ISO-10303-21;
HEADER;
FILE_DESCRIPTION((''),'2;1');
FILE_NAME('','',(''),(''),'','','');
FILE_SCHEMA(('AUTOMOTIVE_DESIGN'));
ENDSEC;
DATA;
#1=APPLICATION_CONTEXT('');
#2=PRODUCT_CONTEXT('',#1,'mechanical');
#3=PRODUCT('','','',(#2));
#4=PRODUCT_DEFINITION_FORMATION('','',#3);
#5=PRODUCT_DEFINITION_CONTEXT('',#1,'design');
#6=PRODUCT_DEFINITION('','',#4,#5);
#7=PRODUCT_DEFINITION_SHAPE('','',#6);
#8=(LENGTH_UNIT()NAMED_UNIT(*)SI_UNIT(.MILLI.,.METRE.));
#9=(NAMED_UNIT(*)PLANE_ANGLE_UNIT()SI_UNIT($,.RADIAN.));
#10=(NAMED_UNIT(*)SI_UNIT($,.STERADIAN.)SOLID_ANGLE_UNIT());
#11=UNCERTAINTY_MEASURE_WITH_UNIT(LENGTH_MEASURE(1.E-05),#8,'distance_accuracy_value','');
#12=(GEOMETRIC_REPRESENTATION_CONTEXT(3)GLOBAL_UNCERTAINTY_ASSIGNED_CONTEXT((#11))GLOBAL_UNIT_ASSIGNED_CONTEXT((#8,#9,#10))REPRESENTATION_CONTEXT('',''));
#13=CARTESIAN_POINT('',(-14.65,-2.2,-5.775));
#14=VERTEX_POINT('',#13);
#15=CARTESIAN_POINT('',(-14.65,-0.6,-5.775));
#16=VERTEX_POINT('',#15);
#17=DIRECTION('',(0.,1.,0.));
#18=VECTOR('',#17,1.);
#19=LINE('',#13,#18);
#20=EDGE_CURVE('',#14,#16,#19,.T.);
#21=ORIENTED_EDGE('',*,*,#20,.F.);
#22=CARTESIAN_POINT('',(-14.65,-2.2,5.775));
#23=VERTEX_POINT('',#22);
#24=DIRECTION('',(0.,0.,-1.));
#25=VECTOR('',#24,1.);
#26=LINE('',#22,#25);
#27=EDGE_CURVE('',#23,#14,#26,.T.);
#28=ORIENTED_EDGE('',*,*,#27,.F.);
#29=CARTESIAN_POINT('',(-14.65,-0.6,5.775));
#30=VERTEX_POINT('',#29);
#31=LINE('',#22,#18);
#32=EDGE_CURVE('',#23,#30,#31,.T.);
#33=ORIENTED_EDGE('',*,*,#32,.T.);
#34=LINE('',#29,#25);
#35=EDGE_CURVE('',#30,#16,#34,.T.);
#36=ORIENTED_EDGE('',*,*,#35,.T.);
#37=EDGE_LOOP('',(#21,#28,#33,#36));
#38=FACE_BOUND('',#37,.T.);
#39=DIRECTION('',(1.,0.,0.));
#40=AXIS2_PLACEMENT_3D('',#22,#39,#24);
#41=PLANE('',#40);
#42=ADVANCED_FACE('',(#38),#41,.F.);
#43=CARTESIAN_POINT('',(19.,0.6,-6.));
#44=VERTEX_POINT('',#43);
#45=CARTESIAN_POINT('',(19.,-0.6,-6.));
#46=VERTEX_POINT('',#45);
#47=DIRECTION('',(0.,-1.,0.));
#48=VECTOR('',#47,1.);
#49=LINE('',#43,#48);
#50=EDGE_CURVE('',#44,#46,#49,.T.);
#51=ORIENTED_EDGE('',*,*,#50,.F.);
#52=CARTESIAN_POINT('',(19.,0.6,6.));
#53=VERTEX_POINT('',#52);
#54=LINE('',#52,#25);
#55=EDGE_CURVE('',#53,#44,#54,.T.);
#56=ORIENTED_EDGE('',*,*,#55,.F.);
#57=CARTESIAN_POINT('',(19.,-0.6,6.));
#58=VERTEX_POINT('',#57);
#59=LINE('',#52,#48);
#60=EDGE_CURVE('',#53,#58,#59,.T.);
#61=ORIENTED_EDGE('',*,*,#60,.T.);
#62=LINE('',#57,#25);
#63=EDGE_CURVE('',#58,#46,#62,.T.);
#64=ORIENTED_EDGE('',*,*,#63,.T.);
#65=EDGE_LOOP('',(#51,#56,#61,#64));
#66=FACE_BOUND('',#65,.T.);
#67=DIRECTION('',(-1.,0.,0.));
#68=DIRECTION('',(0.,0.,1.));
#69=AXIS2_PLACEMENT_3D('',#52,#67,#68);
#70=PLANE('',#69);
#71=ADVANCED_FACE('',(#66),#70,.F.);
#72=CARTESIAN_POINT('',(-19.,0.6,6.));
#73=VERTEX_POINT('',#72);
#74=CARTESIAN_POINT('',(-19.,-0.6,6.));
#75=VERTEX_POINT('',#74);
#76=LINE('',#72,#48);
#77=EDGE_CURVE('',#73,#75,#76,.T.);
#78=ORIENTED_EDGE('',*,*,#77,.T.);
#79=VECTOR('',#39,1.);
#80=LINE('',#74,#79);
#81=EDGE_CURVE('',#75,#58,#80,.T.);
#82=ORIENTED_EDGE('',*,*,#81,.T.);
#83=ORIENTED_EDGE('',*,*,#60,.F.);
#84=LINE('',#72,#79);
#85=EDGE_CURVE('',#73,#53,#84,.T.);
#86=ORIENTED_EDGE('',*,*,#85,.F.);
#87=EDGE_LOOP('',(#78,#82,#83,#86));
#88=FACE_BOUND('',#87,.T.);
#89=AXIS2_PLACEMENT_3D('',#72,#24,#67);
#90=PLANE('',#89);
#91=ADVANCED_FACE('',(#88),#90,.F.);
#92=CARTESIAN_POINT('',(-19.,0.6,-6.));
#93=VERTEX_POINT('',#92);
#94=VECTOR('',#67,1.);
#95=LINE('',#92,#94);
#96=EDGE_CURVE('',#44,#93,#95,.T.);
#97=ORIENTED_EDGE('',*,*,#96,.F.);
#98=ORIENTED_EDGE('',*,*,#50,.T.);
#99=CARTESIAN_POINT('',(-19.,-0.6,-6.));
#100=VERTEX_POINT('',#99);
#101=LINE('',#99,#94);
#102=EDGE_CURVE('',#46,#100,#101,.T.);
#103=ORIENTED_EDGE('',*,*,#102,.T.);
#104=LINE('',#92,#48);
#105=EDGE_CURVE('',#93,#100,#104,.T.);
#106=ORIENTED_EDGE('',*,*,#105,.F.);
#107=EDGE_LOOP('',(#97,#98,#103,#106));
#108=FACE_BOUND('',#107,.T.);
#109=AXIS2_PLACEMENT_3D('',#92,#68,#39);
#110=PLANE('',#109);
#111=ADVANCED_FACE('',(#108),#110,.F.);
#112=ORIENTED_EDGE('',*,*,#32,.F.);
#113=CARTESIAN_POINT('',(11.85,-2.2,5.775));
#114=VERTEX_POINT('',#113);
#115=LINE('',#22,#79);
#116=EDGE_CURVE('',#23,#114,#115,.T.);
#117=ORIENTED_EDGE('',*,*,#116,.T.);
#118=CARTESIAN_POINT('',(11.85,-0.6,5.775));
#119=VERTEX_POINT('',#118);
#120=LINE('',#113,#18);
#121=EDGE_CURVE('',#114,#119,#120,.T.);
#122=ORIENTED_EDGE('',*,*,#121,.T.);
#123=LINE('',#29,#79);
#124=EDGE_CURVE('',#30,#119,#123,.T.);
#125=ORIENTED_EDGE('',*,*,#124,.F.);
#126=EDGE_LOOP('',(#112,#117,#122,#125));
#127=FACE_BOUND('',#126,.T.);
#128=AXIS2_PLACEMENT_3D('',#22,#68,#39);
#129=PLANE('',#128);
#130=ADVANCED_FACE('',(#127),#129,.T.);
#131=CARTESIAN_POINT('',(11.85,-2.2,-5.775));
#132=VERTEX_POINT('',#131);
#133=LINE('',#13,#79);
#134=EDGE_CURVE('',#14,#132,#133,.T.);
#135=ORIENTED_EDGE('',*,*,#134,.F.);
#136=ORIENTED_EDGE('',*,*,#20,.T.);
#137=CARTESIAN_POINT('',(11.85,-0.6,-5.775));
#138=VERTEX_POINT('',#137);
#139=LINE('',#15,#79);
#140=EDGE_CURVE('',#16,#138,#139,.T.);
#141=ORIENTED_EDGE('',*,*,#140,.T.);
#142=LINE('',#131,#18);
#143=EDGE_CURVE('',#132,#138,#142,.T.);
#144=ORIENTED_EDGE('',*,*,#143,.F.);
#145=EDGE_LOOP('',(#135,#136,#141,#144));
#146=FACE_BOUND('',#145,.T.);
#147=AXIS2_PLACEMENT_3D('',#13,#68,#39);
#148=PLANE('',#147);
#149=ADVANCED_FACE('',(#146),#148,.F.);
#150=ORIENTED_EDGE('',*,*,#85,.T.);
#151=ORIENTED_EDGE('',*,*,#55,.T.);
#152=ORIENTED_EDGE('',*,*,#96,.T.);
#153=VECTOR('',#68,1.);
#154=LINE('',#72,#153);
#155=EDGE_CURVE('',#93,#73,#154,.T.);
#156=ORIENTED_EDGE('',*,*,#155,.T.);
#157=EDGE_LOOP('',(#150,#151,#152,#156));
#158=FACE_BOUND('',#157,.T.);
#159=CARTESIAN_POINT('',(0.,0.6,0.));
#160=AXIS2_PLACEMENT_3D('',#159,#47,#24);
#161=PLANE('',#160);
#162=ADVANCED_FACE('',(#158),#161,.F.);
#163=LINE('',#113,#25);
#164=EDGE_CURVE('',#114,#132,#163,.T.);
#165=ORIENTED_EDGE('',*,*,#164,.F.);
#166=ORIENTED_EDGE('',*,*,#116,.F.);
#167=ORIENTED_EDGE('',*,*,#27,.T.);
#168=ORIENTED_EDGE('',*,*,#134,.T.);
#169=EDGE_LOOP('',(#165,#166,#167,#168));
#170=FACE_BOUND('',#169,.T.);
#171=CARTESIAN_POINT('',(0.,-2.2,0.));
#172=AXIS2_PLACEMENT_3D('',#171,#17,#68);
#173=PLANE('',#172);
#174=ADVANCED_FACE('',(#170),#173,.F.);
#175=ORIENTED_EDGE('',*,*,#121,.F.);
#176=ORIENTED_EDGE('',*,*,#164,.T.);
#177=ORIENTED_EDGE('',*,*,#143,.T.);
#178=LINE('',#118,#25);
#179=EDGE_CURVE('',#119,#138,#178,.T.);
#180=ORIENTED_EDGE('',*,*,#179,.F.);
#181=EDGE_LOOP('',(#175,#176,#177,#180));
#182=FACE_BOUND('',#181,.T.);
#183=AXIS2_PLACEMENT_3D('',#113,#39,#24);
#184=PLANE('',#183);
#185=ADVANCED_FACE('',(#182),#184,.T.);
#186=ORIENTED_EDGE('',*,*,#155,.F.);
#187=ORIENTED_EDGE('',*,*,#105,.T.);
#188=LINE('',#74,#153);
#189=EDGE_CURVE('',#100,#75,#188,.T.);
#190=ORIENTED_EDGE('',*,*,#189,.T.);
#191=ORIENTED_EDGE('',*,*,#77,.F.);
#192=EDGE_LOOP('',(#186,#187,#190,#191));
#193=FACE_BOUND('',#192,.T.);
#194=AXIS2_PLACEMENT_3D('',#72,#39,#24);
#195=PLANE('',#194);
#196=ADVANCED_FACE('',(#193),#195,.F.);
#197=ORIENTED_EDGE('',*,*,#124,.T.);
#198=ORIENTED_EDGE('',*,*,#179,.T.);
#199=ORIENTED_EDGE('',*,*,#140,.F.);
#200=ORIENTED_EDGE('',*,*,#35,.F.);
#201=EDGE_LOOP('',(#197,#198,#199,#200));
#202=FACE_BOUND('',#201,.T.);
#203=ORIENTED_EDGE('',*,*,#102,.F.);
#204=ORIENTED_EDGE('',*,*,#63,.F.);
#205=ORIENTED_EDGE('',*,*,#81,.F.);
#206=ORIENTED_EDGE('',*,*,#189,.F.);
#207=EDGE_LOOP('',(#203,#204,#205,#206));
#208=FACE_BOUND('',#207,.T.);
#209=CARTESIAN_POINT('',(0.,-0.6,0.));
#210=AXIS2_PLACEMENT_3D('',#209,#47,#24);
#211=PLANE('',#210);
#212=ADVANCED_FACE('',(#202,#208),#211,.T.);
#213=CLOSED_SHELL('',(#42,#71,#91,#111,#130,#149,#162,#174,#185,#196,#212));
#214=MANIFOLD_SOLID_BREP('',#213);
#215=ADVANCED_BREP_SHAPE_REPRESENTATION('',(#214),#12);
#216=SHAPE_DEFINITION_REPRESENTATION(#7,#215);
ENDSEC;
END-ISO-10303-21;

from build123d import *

# Parameters (mm, degrees)
SKETCH1_W           = 38
SKETCH1_H           = 12
BOSS_EXTRUDE1_DEPTH = 0.6
SKETCH2_W           = 26.5
SKETCH2_H           = 11.55
BOSS_EXTRUDE2_DEPTH = 1.6


with BuildPart() as part:
    # Sketch1 → Boss-Extrude1 (new, symmetric)
    with BuildSketch(Plane(origin=(0, 0, 0), x_dir=(1, 0, 0), z_dir=(0, 1, 0))):
        Rectangle(SKETCH1_W, SKETCH1_H)
    extrude(amount=BOSS_EXTRUDE1_DEPTH, both=True)

    # Sketch2 → Boss-Extrude2 (add)
    with BuildSketch(Plane.XZ.offset(0.6)):
        with Locations((-1.4, 0)):
            Rectangle(SKETCH2_W, SKETCH2_H)
    extrude(amount=BOSS_EXTRUDE2_DEPTH)


solid = part.part
